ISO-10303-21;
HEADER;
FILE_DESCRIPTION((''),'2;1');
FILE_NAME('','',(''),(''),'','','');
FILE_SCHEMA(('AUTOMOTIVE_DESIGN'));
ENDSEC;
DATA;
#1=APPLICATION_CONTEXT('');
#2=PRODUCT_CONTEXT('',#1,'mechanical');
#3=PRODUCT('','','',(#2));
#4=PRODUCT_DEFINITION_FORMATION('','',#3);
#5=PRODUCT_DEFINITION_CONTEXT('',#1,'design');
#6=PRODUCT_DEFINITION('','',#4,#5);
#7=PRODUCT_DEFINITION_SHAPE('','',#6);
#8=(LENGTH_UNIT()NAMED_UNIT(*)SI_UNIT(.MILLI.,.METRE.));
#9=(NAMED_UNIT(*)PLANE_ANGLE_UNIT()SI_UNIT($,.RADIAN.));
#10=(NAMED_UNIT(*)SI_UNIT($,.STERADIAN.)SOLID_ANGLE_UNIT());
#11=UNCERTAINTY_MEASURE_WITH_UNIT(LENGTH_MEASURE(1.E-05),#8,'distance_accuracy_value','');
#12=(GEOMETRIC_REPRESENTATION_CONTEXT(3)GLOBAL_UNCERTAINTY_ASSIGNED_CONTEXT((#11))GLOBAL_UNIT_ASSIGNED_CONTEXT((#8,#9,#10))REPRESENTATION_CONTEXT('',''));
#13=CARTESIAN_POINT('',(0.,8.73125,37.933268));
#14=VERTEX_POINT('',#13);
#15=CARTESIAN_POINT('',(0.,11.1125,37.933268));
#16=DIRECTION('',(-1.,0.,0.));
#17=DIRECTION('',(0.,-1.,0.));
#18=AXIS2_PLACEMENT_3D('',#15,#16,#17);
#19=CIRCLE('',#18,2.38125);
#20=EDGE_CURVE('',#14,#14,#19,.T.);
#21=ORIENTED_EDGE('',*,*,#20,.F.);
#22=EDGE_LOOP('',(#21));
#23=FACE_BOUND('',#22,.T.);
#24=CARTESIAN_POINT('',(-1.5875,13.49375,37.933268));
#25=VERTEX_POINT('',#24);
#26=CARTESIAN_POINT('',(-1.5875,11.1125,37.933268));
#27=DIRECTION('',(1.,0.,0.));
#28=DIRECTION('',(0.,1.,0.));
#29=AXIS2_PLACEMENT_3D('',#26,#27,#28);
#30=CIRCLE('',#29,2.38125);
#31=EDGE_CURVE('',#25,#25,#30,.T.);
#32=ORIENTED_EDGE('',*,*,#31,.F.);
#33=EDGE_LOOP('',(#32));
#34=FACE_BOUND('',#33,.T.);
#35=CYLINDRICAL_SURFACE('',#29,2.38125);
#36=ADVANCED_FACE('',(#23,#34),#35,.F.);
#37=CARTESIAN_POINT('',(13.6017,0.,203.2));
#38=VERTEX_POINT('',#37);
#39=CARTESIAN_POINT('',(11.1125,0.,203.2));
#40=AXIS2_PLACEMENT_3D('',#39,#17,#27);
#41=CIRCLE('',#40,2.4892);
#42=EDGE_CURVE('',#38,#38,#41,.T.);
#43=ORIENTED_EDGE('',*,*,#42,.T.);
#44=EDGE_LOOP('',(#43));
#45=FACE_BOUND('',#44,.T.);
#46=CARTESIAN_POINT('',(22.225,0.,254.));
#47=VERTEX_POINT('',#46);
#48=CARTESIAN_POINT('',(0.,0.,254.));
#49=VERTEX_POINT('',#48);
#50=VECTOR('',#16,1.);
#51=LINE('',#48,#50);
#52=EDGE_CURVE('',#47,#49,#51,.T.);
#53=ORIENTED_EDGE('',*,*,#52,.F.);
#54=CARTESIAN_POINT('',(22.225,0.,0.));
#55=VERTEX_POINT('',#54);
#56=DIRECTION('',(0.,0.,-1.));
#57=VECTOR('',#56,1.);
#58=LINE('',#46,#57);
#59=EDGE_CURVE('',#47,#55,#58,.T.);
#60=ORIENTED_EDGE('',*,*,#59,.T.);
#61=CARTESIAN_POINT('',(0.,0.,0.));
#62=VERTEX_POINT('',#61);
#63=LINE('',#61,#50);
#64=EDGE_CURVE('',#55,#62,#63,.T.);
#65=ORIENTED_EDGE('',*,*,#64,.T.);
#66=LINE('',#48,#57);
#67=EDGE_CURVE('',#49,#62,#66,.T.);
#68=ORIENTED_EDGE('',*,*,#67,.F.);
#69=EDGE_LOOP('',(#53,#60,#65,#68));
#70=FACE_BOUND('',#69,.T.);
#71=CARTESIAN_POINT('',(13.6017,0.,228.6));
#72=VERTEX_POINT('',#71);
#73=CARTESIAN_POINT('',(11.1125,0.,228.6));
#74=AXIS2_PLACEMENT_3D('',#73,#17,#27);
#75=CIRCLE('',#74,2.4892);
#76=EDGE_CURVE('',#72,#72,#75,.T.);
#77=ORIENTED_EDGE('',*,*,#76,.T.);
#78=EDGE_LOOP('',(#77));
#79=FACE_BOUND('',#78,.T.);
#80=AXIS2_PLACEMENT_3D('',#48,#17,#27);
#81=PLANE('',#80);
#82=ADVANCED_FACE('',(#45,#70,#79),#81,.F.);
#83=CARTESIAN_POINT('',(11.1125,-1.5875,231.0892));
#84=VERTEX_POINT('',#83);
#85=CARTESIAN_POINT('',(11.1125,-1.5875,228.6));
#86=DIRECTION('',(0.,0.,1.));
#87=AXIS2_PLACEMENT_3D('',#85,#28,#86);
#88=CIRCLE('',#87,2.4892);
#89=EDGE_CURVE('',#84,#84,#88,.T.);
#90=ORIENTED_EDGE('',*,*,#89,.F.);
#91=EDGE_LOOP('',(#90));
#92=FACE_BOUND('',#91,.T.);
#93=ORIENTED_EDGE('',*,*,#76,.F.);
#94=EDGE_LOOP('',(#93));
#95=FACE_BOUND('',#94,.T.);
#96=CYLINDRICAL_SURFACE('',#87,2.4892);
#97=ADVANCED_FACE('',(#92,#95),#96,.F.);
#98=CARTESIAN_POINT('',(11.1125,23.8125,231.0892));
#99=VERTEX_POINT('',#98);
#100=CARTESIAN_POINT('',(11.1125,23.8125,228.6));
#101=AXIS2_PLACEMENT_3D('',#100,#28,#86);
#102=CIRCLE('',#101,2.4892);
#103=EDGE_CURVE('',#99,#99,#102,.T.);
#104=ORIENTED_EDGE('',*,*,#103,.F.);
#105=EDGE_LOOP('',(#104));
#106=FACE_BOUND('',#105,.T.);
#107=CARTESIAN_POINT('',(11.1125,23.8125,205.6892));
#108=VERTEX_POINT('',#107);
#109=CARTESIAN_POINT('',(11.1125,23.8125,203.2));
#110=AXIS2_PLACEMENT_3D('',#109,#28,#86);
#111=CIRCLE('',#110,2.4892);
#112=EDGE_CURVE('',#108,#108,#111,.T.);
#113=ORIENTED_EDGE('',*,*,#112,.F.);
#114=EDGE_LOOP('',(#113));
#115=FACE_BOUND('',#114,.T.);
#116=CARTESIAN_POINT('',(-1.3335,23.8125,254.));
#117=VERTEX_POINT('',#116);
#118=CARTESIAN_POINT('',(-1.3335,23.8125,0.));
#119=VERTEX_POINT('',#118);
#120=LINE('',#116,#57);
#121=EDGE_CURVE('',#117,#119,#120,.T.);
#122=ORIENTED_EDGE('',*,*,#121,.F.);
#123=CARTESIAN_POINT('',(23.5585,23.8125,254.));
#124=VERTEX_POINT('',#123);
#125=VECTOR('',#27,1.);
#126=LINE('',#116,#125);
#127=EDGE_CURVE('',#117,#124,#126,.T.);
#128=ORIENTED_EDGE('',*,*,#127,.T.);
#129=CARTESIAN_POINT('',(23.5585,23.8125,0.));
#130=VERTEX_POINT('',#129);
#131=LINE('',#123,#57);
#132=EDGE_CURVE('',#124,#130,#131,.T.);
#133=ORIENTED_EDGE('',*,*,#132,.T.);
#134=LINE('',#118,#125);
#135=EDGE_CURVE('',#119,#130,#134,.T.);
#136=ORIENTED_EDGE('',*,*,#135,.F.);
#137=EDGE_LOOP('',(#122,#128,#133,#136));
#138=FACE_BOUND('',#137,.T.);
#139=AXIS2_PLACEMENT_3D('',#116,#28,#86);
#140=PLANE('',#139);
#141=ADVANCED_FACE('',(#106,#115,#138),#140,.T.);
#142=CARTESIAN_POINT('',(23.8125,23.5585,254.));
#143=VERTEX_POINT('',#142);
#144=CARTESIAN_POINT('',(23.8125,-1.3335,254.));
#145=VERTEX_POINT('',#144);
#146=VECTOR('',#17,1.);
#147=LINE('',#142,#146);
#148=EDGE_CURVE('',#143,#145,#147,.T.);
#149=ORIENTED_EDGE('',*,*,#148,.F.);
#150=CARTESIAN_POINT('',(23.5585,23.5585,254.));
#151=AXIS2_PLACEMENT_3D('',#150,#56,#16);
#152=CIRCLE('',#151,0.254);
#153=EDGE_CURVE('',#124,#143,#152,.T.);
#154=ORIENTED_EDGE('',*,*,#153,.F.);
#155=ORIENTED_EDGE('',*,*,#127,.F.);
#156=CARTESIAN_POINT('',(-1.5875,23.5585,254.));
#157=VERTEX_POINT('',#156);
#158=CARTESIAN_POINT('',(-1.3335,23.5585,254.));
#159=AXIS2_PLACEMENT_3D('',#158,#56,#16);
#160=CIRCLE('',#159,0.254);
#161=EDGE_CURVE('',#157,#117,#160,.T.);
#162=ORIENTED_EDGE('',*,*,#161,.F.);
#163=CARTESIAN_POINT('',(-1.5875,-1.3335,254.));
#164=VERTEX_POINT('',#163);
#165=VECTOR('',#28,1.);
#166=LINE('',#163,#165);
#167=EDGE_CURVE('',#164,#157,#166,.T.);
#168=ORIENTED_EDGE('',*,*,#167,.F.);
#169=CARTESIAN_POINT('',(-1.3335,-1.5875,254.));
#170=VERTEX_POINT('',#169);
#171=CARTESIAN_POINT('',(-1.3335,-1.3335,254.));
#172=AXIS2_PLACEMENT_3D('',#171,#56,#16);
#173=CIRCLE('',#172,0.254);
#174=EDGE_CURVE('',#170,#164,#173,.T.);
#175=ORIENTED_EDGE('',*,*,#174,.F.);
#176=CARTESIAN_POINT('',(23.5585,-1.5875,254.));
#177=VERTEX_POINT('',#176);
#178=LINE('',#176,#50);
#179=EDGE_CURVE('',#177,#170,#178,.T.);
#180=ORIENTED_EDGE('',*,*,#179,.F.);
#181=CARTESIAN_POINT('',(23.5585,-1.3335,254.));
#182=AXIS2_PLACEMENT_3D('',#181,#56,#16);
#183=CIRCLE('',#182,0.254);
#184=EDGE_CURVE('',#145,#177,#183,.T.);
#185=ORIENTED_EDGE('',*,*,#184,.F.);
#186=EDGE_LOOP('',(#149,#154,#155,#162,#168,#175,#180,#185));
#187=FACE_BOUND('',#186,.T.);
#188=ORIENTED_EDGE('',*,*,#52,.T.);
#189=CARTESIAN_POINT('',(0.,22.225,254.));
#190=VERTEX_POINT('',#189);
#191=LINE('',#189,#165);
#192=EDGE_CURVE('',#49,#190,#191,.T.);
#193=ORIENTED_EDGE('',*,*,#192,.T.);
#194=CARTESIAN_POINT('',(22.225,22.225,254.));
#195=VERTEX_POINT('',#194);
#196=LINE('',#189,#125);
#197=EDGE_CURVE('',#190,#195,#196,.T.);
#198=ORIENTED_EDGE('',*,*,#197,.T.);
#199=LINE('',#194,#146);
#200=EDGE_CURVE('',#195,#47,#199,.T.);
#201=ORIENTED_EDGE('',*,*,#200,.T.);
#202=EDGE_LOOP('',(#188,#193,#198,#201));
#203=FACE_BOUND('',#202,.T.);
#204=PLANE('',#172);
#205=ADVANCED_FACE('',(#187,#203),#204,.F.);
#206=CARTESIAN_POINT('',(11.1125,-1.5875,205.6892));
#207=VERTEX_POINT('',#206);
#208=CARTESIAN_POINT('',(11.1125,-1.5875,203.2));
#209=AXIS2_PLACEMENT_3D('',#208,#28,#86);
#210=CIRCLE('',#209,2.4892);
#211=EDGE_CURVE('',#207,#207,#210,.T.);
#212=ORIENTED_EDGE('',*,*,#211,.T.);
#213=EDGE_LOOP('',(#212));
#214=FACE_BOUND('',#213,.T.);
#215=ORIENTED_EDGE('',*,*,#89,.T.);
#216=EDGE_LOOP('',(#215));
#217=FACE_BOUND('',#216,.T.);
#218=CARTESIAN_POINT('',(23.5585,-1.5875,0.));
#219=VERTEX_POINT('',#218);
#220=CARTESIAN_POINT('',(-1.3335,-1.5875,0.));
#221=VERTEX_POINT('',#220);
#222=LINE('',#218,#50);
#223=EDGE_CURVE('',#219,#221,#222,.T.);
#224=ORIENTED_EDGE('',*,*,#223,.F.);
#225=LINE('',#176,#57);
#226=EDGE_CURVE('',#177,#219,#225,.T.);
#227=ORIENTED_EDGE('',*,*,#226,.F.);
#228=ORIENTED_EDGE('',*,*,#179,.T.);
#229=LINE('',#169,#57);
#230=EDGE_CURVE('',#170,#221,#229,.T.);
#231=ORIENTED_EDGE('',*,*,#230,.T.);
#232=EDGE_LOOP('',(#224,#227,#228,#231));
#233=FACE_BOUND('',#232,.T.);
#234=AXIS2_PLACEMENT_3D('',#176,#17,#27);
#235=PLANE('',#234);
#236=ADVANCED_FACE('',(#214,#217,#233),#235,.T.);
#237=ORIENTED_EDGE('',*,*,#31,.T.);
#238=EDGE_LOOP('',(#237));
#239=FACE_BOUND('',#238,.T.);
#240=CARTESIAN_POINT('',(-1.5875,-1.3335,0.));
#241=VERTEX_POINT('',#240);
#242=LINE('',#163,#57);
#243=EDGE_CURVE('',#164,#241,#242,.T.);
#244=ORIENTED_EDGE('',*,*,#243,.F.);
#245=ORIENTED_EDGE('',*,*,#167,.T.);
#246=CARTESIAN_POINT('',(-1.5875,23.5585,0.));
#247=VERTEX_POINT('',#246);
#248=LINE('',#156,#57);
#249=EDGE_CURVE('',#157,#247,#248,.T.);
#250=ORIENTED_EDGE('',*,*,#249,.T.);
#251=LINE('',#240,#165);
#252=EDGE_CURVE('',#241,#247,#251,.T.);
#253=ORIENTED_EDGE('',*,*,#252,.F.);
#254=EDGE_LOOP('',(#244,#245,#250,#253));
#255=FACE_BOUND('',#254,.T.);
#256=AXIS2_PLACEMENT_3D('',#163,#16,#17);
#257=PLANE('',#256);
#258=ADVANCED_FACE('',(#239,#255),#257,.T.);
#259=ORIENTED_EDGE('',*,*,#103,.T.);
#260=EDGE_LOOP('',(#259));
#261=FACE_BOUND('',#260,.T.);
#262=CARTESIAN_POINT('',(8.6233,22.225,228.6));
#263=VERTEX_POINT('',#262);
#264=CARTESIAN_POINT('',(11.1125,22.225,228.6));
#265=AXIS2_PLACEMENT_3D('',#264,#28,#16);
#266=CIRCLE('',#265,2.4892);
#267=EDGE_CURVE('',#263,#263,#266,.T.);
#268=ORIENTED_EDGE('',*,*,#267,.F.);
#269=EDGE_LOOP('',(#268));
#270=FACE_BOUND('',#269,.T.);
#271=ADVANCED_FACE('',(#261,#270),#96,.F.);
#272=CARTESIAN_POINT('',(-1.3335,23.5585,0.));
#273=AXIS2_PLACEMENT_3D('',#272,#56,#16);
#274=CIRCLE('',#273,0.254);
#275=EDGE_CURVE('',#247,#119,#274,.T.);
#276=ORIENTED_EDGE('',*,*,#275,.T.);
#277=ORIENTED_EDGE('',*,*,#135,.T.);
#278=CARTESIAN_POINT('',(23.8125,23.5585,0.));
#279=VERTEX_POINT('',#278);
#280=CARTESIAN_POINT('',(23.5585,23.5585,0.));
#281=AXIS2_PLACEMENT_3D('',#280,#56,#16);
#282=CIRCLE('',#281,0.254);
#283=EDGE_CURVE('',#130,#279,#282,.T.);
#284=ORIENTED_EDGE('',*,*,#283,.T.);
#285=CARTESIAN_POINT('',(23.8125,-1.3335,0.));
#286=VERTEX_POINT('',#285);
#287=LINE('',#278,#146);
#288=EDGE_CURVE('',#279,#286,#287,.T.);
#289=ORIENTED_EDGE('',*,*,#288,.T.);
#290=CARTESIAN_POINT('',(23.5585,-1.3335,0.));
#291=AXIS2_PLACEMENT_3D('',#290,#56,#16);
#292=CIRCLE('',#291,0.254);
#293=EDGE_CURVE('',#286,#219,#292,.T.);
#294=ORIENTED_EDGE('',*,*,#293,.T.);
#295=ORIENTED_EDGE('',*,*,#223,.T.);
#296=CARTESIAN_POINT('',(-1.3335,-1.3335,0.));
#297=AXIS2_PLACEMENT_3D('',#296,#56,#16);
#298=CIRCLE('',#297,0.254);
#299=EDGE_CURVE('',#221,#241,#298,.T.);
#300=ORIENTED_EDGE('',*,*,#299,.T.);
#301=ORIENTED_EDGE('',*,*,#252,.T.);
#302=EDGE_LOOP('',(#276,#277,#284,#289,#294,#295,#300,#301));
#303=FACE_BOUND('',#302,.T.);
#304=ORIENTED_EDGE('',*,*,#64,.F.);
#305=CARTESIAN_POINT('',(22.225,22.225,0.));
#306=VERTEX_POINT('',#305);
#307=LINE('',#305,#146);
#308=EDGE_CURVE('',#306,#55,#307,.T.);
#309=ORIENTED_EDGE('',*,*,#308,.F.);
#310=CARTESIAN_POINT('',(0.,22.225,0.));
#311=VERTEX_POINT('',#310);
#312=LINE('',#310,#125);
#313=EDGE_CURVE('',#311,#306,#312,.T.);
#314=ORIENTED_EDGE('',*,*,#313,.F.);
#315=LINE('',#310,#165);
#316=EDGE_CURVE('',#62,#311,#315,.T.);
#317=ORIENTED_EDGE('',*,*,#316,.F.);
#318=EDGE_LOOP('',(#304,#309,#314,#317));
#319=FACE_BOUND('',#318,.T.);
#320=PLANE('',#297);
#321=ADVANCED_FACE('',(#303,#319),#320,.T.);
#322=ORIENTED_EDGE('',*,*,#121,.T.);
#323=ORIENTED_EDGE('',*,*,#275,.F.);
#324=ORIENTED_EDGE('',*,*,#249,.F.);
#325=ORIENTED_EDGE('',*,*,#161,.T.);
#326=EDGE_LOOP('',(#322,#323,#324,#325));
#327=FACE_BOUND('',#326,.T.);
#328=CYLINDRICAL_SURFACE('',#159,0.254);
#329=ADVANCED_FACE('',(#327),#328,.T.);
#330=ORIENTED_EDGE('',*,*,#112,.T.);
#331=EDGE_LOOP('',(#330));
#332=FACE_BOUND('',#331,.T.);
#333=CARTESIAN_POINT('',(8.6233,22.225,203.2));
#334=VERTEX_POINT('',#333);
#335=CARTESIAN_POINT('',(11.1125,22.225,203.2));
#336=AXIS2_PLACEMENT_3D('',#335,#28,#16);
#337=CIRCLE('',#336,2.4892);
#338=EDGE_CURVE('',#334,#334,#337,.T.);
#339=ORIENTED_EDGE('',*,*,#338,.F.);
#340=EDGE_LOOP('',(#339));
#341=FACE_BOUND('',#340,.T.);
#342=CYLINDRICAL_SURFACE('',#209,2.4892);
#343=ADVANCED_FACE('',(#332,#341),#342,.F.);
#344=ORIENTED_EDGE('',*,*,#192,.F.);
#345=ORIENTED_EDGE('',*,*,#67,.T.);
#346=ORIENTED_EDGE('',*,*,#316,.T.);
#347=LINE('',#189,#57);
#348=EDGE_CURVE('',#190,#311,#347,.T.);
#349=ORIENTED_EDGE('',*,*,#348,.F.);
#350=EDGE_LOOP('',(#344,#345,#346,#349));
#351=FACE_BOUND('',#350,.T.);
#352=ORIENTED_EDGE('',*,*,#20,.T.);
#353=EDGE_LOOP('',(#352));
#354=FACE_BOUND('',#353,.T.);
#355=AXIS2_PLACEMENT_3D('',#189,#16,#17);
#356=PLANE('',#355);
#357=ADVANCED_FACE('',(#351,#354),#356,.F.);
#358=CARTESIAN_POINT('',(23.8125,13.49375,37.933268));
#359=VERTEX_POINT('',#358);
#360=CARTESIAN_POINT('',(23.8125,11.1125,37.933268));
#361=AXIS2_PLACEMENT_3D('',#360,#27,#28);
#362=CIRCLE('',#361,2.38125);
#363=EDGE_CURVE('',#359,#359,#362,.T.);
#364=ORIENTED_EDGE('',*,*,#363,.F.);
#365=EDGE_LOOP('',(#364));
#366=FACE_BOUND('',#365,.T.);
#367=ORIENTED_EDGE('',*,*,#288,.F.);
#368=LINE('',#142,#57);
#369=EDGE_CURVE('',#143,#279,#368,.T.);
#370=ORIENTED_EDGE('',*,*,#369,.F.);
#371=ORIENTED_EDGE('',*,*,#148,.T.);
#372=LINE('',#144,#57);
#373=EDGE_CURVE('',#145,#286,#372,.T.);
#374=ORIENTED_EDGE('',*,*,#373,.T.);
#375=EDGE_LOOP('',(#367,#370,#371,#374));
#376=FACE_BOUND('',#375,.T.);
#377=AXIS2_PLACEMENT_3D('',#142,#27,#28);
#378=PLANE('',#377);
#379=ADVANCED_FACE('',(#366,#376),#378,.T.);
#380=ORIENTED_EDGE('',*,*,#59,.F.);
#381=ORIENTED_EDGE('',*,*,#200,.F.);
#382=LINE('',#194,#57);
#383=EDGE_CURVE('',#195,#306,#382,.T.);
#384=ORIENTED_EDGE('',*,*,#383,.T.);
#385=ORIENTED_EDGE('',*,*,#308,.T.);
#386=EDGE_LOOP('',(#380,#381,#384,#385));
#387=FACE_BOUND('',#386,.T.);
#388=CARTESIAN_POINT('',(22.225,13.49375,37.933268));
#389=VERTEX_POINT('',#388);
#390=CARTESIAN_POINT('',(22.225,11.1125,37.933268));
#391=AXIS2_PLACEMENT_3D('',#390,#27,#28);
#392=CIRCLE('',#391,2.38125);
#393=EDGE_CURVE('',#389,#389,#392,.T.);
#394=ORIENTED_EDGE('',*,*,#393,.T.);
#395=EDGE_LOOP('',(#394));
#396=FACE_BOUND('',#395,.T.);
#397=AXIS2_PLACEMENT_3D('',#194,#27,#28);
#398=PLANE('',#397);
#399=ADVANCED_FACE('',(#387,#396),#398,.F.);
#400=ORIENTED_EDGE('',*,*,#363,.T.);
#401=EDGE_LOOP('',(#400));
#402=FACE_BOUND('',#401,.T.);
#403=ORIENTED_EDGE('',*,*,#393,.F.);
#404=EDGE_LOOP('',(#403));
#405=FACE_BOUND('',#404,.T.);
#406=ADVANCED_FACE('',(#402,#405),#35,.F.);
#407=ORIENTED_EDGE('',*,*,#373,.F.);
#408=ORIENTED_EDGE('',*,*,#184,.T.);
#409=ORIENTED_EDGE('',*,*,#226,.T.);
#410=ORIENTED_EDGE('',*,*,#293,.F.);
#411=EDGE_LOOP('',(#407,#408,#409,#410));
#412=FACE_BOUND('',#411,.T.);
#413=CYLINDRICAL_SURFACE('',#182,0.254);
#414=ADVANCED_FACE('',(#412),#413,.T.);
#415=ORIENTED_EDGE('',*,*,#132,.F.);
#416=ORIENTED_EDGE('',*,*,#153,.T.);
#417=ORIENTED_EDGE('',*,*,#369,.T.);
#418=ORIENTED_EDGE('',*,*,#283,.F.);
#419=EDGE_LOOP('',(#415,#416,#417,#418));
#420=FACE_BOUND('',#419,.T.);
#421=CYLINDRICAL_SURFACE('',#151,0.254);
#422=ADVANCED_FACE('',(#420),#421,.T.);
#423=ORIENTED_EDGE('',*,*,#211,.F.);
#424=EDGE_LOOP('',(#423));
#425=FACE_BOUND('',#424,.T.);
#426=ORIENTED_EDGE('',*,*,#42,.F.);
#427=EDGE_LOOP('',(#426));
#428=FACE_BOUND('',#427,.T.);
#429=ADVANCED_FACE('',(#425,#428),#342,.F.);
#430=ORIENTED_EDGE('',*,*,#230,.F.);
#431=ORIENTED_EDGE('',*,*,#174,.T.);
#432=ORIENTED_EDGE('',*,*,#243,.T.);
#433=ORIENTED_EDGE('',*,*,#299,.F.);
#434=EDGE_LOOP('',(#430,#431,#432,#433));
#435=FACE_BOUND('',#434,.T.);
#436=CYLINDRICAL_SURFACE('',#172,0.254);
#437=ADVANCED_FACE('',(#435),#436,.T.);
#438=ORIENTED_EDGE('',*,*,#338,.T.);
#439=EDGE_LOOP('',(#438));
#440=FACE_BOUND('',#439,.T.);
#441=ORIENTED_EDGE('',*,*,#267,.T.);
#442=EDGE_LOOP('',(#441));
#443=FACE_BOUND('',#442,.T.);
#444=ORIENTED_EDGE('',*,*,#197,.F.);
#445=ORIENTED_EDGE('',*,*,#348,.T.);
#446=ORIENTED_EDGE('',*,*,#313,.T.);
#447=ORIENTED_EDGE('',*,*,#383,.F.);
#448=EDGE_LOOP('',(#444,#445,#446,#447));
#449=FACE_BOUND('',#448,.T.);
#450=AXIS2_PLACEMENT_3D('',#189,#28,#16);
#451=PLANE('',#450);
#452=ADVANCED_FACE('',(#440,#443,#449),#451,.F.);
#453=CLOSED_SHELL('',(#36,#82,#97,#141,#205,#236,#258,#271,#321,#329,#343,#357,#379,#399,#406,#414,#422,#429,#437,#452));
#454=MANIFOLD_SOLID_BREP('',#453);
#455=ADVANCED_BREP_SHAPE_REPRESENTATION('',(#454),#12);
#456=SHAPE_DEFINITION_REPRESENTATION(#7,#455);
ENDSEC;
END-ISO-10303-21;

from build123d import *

# Parameters (mm, degrees)
SKETCH1_W           = 22.225
SKETCH1_H           = 22.225
BOSS_EXTRUDE1_DEPTH = 254
SKETCH4_R           = 2.38125
CUT_EXTRUDE2_DEPTH  = 26.4
SKETCH6_R           = 2.4892
CUT_EXTRUDE3_DEPTH  = 25.4


with BuildPart() as part:
    # Sketch1 → Boss-Extrude1 (new body)
    with BuildSketch(Plane(origin=(0, 0, 0), x_dir=(-1, 0, 0), z_dir=(0, 0, -1))):
        with BuildLine():
            Line((1.5875, -1.3335), (1.5875, 23.5585))
            ThreePointArc((1.5875, 23.5585), (1.513105122, 23.738105122), (1.3335, 23.8125))
            Line((1.3335, 23.8125), (-23.5585, 23.8125))
            ThreePointArc((-23.5585, 23.8125), (-23.738105122, 23.738105122), (-23.8125, 23.5585))
            Line((-23.8125, 23.5585), (-23.8125, -1.3335))
            ThreePointArc((-23.8125, -1.3335), (-23.738105122, -1.513105122), (-23.5585, -1.5875))
            Line((-23.5585, -1.5875), (1.3335, -1.5875))
            ThreePointArc((1.3335, -1.5875), (1.513105122, -1.513105122), (1.5875, -1.3335))
        make_face()
        with Locations((-11.1125, 11.1125)):
            Rectangle(SKETCH1_W, SKETCH1_H, mode=Mode.SUBTRACT)
    extrude(amount=-BOSS_EXTRUDE1_DEPTH)

    # Sketch4 → Cut-Extrude2 (cut, through all)
    with BuildSketch(Plane(origin=(23.8125, 0, 0), x_dir=(0, 0, -1), z_dir=(1, 0, 0))):
        with Locations((-37.933268304, 11.1125)):
            Circle(SKETCH4_R)
    extrude(amount=-CUT_EXTRUDE2_DEPTH, mode=Mode.SUBTRACT)

    # Sketch6 → Cut-Extrude3 (cut)
    with BuildSketch(Plane(origin=(0, 23.8125, 0), x_dir=(1, 0, 0), z_dir=(0, 1, 0))):
        with Locations((11.1125, -203.2)):
            Circle(SKETCH6_R)
        with Locations((11.1125, -228.6)):
            Circle(SKETCH6_R)
    extrude(amount=-CUT_EXTRUDE3_DEPTH, mode=Mode.SUBTRACT)


solid = part.part
